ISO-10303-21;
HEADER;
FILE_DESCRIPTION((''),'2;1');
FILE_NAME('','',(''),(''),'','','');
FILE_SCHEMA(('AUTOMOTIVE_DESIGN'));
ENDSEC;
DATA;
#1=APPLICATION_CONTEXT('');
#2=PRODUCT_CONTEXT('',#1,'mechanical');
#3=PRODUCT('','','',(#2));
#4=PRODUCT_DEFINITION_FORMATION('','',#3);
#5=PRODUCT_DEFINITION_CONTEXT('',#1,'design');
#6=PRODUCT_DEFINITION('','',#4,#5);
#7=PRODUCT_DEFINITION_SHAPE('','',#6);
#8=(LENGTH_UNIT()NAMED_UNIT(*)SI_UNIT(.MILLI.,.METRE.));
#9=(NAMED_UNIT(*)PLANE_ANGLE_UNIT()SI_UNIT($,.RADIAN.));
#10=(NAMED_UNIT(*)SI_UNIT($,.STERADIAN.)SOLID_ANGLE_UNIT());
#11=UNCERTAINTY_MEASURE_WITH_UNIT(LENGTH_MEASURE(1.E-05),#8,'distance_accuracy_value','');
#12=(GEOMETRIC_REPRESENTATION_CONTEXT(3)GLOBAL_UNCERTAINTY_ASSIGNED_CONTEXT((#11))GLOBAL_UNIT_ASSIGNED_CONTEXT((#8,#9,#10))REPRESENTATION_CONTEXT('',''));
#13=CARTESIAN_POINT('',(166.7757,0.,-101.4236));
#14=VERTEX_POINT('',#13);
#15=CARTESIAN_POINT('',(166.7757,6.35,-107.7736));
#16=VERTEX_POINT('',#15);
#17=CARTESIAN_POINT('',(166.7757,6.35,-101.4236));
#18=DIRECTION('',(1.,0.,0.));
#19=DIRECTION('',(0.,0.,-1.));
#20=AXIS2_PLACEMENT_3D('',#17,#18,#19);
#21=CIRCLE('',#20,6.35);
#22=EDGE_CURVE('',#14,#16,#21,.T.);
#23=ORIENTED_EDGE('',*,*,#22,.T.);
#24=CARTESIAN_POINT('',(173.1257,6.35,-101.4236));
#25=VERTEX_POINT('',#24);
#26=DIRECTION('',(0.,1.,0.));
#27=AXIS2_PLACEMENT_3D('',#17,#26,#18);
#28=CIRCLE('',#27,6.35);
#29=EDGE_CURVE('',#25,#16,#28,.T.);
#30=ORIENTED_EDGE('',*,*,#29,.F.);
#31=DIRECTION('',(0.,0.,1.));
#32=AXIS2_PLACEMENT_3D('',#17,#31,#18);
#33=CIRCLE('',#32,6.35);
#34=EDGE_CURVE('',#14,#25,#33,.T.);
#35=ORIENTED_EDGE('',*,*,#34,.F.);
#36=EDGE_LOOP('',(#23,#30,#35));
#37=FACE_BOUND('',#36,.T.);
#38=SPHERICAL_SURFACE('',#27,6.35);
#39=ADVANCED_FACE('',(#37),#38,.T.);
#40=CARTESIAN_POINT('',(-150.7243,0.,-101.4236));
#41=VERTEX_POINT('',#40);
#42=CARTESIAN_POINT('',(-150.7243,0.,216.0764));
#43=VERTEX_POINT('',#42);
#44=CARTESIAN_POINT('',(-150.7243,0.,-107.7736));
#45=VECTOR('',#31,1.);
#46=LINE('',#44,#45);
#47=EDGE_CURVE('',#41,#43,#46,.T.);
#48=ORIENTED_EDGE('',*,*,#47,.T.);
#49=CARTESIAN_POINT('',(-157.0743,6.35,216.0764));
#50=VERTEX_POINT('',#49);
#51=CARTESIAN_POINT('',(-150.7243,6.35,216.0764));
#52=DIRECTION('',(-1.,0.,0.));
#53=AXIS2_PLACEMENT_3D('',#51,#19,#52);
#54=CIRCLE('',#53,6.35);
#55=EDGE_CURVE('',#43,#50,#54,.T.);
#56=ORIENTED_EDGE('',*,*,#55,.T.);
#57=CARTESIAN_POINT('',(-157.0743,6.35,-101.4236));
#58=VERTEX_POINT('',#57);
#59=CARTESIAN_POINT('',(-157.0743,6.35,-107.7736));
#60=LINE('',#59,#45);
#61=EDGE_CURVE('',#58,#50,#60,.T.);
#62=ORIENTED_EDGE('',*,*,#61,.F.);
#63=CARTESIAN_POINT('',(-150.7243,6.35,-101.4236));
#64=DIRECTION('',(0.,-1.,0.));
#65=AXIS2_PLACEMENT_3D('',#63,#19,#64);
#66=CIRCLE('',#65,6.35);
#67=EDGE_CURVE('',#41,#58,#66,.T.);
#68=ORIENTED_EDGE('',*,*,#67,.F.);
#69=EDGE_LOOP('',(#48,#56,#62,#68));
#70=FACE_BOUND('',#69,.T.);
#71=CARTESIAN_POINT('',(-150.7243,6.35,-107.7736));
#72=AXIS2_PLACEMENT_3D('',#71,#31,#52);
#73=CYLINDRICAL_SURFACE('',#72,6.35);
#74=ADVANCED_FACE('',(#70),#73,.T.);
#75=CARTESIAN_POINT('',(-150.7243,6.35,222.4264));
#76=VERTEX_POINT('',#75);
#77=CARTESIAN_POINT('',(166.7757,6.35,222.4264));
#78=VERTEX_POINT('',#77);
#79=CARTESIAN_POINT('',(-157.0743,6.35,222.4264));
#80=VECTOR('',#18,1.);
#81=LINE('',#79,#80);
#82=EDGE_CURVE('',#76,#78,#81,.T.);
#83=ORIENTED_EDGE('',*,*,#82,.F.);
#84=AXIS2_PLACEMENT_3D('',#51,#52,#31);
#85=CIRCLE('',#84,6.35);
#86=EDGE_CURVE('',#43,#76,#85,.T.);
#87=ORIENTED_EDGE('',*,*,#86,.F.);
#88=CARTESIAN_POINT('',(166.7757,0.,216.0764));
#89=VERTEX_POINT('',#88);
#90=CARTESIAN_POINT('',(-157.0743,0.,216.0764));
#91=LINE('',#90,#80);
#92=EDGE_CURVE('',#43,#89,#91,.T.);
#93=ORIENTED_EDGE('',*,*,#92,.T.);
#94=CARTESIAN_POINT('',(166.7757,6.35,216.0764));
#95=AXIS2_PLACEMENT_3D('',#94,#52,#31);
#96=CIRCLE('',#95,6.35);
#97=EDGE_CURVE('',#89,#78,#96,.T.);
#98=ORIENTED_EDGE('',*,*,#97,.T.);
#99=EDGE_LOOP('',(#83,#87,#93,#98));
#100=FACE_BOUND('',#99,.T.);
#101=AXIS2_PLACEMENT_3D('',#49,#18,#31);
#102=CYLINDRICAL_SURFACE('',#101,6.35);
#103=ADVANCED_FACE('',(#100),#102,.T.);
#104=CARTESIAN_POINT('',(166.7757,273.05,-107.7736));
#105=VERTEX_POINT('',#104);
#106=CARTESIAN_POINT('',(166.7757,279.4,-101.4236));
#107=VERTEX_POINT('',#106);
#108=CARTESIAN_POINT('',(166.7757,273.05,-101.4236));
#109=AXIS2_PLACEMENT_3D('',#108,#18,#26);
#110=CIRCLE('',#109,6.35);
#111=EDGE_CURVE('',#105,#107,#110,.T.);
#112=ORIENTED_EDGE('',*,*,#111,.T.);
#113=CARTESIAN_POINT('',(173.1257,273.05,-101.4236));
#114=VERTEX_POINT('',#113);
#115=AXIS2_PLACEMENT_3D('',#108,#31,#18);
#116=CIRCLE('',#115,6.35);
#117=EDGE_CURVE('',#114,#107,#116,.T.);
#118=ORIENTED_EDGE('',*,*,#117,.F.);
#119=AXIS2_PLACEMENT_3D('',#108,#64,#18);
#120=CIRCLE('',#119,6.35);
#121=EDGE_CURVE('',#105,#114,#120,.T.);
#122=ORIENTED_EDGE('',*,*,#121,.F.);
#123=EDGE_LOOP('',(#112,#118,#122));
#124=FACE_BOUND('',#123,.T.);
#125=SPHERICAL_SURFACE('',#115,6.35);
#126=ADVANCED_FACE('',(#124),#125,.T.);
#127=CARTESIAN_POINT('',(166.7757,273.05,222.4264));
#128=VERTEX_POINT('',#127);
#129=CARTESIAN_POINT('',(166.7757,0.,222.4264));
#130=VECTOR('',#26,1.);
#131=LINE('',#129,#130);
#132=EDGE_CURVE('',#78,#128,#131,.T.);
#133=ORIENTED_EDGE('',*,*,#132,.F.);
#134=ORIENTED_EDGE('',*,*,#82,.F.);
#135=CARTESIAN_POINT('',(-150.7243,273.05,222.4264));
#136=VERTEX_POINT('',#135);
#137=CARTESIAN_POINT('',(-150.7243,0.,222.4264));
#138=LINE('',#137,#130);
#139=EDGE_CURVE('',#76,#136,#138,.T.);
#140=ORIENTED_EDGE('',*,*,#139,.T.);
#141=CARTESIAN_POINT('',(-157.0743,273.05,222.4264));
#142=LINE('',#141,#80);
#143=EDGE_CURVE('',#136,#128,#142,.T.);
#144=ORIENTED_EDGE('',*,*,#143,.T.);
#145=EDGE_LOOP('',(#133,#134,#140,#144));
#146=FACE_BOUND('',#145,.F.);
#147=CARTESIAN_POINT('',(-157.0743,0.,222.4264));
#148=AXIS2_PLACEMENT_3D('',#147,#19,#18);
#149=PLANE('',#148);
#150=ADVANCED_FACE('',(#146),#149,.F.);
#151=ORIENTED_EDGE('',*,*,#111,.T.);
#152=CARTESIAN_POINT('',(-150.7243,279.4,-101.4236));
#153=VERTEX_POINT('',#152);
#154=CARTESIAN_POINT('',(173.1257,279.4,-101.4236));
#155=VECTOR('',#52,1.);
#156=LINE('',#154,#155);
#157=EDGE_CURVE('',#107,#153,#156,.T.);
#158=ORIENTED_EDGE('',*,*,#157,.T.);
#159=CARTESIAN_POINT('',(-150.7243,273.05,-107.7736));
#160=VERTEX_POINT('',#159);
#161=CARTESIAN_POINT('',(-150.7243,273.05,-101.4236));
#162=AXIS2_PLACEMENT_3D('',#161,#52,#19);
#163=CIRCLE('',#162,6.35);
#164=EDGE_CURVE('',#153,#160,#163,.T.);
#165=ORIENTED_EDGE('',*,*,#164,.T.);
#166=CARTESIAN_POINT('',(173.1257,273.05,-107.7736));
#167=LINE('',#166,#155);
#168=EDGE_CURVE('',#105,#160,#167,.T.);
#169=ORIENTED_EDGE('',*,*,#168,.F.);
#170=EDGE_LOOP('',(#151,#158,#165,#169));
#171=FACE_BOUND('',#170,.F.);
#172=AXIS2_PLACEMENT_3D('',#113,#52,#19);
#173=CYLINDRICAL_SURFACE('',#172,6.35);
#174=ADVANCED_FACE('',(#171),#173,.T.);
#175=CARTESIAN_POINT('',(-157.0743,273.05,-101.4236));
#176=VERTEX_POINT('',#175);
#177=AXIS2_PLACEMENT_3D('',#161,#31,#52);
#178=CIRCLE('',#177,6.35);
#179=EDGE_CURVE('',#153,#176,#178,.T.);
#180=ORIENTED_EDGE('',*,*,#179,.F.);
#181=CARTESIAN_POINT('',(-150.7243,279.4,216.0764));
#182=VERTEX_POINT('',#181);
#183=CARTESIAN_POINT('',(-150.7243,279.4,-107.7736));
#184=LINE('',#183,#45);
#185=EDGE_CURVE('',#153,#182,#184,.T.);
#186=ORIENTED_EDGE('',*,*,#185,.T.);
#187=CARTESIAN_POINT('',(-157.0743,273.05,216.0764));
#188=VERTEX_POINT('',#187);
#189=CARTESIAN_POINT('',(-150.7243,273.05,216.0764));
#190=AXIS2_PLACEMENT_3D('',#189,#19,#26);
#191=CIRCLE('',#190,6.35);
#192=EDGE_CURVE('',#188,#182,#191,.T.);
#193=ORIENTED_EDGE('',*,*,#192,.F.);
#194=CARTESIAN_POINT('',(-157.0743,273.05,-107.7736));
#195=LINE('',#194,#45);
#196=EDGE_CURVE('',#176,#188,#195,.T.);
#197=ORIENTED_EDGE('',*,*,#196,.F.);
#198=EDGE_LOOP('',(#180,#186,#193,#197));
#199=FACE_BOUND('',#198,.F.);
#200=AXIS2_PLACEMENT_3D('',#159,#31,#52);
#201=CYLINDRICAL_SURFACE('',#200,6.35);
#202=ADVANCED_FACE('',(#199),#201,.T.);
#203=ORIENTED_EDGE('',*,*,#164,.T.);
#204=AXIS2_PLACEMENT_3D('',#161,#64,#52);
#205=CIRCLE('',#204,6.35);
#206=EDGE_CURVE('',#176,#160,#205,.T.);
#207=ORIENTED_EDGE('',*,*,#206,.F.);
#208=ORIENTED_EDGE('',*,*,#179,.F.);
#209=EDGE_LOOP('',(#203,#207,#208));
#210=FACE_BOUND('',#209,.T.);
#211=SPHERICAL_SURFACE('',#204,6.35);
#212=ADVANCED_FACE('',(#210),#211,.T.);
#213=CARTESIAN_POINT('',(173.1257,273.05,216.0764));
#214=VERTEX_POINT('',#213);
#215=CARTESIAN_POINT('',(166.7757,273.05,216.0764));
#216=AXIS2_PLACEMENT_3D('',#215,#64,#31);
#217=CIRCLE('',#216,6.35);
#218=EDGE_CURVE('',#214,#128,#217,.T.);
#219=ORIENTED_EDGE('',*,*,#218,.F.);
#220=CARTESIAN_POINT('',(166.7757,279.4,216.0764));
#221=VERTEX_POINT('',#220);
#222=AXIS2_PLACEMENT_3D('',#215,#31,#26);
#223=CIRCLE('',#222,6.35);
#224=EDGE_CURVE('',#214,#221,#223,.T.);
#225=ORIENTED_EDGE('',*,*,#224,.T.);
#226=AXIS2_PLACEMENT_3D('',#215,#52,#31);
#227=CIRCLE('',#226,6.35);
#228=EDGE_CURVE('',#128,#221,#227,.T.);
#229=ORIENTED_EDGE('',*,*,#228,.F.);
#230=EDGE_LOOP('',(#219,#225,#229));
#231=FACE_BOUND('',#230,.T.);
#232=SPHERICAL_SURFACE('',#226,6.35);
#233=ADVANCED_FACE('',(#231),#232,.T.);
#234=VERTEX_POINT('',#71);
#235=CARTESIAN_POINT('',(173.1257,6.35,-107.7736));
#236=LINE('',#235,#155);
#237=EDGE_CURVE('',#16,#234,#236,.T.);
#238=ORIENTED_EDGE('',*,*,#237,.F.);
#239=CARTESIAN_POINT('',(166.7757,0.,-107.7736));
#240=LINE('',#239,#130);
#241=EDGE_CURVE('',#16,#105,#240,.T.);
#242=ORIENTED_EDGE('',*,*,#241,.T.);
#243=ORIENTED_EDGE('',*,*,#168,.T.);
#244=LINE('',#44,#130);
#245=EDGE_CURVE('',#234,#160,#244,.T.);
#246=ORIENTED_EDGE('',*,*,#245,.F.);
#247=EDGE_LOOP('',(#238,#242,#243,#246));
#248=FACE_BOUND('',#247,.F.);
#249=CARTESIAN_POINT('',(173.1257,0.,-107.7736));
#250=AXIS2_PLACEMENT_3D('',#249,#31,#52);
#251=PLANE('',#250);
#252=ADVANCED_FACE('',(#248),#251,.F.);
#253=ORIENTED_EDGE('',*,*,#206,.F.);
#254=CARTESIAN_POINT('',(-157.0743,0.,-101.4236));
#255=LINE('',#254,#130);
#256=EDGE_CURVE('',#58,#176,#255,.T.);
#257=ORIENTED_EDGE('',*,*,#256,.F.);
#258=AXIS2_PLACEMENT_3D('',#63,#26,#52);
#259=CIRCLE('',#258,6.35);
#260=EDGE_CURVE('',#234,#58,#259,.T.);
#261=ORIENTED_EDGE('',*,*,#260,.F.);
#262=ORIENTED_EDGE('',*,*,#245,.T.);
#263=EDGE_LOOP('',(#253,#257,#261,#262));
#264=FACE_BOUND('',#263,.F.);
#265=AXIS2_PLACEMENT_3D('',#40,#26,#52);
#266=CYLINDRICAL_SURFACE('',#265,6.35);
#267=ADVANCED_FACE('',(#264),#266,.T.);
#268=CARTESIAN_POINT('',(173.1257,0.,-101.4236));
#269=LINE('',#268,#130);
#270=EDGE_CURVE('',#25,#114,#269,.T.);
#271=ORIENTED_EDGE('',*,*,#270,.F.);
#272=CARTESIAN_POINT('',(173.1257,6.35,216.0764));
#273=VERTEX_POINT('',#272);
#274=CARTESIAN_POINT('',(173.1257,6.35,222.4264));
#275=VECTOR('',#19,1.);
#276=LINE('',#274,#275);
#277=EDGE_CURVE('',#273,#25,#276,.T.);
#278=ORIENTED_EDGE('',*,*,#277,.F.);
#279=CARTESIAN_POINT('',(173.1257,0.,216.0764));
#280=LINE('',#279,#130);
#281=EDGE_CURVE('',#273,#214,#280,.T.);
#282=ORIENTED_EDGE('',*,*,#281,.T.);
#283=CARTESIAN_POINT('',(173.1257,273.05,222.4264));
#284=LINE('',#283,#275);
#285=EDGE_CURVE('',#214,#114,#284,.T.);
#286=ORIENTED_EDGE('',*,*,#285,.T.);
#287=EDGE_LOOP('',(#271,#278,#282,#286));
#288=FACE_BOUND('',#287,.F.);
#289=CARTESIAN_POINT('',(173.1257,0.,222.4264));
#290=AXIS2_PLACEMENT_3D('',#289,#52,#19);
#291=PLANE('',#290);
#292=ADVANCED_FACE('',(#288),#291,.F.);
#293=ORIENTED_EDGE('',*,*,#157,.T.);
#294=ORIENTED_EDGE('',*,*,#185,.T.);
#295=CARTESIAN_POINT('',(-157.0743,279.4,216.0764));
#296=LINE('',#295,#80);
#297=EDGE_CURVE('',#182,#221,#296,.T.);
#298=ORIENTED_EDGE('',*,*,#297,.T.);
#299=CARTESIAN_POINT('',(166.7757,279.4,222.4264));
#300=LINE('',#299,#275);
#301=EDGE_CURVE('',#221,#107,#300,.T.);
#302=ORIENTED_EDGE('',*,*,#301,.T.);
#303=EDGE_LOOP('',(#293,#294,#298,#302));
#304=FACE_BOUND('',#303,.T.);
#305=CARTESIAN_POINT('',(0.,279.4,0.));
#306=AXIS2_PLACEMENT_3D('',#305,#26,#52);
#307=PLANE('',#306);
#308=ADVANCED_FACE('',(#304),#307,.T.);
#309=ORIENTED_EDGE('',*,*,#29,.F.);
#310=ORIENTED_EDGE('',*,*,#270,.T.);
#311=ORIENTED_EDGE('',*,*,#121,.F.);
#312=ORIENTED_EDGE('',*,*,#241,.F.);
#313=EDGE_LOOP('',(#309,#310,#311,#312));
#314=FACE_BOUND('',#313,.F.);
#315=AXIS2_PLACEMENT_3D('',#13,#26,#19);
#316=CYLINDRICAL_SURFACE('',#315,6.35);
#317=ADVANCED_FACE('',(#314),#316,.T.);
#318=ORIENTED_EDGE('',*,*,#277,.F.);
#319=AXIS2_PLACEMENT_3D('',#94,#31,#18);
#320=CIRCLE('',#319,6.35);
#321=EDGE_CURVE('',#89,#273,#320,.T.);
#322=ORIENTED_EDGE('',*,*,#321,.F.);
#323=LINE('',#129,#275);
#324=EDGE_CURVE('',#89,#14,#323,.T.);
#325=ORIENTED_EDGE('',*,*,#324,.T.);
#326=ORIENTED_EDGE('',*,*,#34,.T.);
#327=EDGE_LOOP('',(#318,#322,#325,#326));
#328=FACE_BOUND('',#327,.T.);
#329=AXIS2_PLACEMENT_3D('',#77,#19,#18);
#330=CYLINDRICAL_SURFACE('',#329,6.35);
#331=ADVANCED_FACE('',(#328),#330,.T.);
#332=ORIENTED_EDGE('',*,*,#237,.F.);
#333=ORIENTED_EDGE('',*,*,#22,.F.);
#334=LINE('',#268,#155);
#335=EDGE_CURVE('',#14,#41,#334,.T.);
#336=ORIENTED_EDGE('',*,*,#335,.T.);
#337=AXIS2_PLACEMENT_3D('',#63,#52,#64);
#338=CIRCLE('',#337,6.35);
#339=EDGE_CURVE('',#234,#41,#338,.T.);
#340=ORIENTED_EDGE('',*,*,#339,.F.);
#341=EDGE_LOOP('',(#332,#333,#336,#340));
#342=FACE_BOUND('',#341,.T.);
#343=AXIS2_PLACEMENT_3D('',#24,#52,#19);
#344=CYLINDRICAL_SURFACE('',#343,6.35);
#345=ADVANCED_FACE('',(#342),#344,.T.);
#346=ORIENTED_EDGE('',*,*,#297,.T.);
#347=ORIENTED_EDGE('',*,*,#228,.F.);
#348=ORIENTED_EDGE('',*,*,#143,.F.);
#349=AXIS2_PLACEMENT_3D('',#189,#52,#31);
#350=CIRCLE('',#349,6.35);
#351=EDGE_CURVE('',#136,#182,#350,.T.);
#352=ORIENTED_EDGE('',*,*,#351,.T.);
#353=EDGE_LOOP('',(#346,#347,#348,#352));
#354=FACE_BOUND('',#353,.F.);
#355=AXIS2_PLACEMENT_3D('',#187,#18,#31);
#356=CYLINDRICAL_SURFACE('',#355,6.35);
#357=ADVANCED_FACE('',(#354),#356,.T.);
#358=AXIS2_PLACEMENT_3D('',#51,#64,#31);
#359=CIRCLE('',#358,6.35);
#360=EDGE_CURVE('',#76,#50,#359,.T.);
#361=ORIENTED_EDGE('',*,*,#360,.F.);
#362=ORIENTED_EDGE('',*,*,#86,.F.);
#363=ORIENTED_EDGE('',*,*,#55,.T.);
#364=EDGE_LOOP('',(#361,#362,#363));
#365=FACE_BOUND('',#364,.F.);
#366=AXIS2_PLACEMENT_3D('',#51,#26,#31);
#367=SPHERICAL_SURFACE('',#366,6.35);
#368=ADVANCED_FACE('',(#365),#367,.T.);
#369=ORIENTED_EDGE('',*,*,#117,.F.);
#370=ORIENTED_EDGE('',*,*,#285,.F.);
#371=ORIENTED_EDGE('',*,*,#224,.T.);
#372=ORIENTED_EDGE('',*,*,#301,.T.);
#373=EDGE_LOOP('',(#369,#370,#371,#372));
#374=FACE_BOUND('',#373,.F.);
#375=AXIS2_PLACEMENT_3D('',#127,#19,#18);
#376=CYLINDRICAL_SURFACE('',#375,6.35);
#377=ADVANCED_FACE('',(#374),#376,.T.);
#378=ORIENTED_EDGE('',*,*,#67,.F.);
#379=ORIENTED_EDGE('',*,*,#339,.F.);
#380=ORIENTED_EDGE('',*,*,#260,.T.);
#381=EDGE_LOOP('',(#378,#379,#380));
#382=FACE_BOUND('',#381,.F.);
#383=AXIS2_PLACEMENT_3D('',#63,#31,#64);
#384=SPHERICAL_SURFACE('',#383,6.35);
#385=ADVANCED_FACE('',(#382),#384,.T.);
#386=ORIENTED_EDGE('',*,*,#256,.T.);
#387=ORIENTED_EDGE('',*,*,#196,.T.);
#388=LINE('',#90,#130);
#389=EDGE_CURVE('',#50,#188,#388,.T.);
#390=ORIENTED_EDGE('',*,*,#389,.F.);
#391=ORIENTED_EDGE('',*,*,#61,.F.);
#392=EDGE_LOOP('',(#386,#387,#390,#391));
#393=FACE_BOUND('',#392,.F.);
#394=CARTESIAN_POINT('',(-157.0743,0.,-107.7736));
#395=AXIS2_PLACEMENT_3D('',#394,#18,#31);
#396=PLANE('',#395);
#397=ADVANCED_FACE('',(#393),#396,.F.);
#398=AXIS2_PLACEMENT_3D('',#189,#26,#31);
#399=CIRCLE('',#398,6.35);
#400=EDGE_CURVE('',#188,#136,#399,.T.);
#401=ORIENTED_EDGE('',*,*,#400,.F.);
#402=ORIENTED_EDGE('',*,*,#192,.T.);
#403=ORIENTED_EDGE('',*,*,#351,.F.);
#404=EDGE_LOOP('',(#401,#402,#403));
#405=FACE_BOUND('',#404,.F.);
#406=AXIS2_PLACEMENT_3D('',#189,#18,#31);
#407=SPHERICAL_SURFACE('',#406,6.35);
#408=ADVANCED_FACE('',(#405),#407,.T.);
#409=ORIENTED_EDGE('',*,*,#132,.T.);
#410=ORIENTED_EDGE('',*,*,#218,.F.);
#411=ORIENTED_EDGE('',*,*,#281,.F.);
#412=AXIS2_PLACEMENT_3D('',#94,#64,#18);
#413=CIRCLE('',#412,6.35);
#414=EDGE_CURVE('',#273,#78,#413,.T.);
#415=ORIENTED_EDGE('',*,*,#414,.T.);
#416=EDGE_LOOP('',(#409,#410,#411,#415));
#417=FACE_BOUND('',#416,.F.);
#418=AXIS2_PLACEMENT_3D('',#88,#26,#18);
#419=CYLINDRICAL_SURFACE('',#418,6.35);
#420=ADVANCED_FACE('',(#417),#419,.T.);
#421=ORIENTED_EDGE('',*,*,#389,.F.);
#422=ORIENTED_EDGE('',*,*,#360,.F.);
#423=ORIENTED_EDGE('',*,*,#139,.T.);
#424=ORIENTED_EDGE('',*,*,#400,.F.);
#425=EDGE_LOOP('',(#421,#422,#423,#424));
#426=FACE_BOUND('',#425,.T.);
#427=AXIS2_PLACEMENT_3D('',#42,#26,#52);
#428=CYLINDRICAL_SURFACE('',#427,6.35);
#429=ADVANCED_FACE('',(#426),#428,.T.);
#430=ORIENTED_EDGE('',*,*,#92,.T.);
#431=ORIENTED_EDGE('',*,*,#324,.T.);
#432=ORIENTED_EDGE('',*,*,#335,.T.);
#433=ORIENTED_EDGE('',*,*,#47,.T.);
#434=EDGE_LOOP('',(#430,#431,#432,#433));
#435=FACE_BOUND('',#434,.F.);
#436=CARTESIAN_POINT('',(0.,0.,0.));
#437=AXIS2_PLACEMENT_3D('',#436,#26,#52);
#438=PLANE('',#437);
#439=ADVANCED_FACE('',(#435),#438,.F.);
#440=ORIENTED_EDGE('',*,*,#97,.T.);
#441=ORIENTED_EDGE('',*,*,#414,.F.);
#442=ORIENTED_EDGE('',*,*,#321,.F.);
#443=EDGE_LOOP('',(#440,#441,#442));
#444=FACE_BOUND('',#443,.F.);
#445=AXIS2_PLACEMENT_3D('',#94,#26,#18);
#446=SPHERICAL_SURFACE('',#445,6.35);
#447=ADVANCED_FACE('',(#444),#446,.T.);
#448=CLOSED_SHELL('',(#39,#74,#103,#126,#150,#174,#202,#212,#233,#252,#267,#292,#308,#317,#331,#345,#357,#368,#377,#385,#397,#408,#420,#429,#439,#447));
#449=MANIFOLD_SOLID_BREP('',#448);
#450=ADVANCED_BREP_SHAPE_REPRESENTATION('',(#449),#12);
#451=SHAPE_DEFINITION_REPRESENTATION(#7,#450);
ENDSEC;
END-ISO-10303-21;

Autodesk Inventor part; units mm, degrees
ref_plane "YZ Plane" through (0, 0, 0) normal (1, 0, 0) x (0, 1, 0)
ref_plane "XZ Plane" through (0, 0, 0) normal (0, 1, 0) x (-1, 0, 0)
ref_plane "XY Plane" through (0, 0, 0) normal (0, 0, 1) x (1, 0, 0)
sketch "Sketch1" plane through (0, 0, 0) normal (0, 1, 0) x (-1, 0, 0)
  line L0 (157.0743, 222.4264) -> (-173.1257, 222.4264)
  line L1 (-173.1257, 222.4264) -> (-173.1257, -107.7736)
  line L2 (-173.1257, -107.7736) -> (157.0743, -107.7736)
  line L3 (157.0743, -107.7736) -> (157.0743, 222.4264)
  point P0 (0, 0)
  dimension "d0" = 330.2
extrude "Extrusion1" add sketch "Sketch1" along normal blind 279.4
fillet "Fillet1" radius 6.35 12 edges at (8.0257, 279.4, 222.4264) (173.1257, 139.7, 222.4264) (173.1257, 279.4, 57.3264) (173.1257, 139.7, -107.7736) (173.1257, 0, 57.3264) (-157.0743, 139.7, 222.4264) (8.0257, 0, 222.4264) (-157.0743, 0, 57.3264) (8.0257, 0, -107.7736) (-157.0743, 139.7, -107.7736) (-157.0743, 279.4, 57.3264) (8.0257, 279.4, -107.7736)
properties part number "PowerCube" material "PC/ABS Plastic"
